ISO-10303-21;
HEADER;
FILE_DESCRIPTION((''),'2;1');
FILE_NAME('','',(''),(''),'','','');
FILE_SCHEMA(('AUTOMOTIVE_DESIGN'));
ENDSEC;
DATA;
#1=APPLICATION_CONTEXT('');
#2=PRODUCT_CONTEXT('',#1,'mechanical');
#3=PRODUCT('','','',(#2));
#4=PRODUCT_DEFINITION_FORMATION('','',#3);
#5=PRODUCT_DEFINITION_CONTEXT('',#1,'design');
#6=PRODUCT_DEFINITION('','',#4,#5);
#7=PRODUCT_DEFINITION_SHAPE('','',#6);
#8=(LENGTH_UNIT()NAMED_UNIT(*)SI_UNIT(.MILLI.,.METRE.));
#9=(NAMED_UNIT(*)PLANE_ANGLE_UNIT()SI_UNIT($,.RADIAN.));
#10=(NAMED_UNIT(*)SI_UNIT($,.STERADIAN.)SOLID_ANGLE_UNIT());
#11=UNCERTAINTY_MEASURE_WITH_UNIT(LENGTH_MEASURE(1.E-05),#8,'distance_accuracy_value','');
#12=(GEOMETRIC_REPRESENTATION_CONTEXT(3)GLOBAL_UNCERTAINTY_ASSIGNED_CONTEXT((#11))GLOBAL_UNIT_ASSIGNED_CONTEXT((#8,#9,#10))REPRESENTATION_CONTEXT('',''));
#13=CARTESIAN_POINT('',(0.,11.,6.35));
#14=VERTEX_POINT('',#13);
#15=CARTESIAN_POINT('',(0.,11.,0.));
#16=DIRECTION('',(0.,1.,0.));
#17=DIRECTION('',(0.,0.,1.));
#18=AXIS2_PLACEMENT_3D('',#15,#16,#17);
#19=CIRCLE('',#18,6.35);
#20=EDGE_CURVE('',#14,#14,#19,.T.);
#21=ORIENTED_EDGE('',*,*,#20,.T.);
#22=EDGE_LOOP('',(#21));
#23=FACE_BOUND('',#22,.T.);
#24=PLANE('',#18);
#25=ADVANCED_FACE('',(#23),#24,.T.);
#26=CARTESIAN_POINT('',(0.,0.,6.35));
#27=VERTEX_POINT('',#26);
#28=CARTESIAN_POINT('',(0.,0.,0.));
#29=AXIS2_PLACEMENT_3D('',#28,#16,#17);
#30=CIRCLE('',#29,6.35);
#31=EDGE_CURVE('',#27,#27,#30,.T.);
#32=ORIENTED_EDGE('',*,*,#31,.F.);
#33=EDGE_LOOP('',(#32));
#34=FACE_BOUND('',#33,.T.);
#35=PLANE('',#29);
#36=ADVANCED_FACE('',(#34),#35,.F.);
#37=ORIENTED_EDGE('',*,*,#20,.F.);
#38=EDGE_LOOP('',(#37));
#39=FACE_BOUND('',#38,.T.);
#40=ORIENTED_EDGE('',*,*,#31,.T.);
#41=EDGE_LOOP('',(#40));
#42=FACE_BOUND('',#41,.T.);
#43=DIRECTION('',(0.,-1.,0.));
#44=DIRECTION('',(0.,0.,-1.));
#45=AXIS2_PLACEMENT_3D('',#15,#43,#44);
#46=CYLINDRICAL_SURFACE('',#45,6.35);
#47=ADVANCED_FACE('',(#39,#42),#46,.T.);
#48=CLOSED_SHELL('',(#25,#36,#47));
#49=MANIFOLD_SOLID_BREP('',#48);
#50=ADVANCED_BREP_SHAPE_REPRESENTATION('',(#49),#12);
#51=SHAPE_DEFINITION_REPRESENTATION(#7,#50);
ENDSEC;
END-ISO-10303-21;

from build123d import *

# Parameters (mm, degrees)
SKETCH_1_R      = 6.35
EXTRUDE_1_DEPTH = 11


with BuildPart() as part:
    # 草图1 → 凸台-拉伸1 (new body)
    with BuildSketch(Plane(origin=(0, 0, 0), x_dir=(1, 0, 0), z_dir=(0, 1, 0))):
        with Locations(Location((0, 0, 0), (0, 0, 270))):
            Circle(SKETCH_1_R)
    extrude(amount=EXTRUDE_1_DEPTH)


solid = part.part
